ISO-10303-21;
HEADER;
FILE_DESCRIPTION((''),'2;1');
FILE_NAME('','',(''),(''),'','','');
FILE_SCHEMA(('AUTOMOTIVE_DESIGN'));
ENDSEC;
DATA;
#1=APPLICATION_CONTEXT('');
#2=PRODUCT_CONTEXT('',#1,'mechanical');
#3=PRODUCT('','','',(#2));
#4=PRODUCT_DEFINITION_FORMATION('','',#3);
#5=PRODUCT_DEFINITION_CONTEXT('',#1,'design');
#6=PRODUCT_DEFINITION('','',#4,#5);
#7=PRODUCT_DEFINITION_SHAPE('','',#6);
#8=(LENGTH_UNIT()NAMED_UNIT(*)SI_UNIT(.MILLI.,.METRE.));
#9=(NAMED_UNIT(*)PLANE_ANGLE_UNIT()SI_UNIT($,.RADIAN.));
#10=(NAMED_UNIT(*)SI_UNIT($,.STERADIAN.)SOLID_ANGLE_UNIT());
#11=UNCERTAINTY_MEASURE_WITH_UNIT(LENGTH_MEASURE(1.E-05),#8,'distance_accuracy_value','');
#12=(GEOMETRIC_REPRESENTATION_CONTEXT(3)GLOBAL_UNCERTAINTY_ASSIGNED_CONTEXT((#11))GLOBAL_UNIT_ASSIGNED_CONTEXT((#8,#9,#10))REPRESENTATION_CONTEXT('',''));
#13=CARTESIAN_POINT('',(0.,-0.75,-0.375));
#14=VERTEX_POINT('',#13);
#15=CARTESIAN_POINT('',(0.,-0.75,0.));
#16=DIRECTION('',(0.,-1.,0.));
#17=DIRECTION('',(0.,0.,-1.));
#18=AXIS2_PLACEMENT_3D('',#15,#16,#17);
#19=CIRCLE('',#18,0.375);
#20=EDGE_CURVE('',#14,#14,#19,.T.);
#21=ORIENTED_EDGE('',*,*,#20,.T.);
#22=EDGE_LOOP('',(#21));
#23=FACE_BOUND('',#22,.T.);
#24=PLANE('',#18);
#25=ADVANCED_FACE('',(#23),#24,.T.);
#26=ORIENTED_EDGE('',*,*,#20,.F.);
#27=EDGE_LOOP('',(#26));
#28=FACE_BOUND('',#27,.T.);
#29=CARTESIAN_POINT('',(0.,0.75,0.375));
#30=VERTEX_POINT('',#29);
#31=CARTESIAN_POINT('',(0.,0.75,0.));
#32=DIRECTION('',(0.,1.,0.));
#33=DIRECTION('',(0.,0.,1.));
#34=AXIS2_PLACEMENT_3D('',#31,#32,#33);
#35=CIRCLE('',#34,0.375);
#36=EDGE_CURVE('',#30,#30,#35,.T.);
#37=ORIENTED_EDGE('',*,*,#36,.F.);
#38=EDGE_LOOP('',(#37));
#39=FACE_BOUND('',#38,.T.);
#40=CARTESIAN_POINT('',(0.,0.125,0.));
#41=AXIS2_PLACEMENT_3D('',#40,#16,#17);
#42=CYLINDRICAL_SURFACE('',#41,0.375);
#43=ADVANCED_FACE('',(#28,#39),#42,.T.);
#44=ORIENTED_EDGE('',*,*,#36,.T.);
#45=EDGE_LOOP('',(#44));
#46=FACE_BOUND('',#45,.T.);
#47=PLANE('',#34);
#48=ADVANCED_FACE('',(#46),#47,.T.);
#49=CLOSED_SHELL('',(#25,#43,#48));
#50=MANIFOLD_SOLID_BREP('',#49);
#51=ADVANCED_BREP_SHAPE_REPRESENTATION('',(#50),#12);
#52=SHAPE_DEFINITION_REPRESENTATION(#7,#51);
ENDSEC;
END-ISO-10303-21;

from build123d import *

# Parameters (mm, degrees)
SKETCH1_R           = 0.375
BOSS_EXTRUDE1_DEPTH = 0.125
SKETCH2_R           = 0.375
BOSS_EXTRUDE2_DEPTH = 0.625
SKETCH3_R           = 0.375
BOSS_EXTRUDE3_DEPTH = 0.625


with BuildPart() as part:
    # Sketch1 → Boss-Extrude1 (new body, symmetric)
    with BuildSketch(Plane(origin=(0, 0, 0), x_dir=(1, 0, 0), z_dir=(0, 1, 0))):
        Circle(SKETCH1_R)
    extrude(amount=BOSS_EXTRUDE1_DEPTH, both=True)

    # Sketch2 → Boss-Extrude2 (add)
    with BuildSketch(Plane(origin=(0, 0.125, 0), x_dir=(1, 0, 0), z_dir=(0, 1, 0))):
        Circle(SKETCH2_R)
    extrude(amount=BOSS_EXTRUDE2_DEPTH)

    # Sketch3 → Boss-Extrude3 (add)
    with BuildSketch(Plane.XZ.offset(0.125)):
        Circle(SKETCH3_R)
    extrude(amount=BOSS_EXTRUDE3_DEPTH)


solid = part.part
